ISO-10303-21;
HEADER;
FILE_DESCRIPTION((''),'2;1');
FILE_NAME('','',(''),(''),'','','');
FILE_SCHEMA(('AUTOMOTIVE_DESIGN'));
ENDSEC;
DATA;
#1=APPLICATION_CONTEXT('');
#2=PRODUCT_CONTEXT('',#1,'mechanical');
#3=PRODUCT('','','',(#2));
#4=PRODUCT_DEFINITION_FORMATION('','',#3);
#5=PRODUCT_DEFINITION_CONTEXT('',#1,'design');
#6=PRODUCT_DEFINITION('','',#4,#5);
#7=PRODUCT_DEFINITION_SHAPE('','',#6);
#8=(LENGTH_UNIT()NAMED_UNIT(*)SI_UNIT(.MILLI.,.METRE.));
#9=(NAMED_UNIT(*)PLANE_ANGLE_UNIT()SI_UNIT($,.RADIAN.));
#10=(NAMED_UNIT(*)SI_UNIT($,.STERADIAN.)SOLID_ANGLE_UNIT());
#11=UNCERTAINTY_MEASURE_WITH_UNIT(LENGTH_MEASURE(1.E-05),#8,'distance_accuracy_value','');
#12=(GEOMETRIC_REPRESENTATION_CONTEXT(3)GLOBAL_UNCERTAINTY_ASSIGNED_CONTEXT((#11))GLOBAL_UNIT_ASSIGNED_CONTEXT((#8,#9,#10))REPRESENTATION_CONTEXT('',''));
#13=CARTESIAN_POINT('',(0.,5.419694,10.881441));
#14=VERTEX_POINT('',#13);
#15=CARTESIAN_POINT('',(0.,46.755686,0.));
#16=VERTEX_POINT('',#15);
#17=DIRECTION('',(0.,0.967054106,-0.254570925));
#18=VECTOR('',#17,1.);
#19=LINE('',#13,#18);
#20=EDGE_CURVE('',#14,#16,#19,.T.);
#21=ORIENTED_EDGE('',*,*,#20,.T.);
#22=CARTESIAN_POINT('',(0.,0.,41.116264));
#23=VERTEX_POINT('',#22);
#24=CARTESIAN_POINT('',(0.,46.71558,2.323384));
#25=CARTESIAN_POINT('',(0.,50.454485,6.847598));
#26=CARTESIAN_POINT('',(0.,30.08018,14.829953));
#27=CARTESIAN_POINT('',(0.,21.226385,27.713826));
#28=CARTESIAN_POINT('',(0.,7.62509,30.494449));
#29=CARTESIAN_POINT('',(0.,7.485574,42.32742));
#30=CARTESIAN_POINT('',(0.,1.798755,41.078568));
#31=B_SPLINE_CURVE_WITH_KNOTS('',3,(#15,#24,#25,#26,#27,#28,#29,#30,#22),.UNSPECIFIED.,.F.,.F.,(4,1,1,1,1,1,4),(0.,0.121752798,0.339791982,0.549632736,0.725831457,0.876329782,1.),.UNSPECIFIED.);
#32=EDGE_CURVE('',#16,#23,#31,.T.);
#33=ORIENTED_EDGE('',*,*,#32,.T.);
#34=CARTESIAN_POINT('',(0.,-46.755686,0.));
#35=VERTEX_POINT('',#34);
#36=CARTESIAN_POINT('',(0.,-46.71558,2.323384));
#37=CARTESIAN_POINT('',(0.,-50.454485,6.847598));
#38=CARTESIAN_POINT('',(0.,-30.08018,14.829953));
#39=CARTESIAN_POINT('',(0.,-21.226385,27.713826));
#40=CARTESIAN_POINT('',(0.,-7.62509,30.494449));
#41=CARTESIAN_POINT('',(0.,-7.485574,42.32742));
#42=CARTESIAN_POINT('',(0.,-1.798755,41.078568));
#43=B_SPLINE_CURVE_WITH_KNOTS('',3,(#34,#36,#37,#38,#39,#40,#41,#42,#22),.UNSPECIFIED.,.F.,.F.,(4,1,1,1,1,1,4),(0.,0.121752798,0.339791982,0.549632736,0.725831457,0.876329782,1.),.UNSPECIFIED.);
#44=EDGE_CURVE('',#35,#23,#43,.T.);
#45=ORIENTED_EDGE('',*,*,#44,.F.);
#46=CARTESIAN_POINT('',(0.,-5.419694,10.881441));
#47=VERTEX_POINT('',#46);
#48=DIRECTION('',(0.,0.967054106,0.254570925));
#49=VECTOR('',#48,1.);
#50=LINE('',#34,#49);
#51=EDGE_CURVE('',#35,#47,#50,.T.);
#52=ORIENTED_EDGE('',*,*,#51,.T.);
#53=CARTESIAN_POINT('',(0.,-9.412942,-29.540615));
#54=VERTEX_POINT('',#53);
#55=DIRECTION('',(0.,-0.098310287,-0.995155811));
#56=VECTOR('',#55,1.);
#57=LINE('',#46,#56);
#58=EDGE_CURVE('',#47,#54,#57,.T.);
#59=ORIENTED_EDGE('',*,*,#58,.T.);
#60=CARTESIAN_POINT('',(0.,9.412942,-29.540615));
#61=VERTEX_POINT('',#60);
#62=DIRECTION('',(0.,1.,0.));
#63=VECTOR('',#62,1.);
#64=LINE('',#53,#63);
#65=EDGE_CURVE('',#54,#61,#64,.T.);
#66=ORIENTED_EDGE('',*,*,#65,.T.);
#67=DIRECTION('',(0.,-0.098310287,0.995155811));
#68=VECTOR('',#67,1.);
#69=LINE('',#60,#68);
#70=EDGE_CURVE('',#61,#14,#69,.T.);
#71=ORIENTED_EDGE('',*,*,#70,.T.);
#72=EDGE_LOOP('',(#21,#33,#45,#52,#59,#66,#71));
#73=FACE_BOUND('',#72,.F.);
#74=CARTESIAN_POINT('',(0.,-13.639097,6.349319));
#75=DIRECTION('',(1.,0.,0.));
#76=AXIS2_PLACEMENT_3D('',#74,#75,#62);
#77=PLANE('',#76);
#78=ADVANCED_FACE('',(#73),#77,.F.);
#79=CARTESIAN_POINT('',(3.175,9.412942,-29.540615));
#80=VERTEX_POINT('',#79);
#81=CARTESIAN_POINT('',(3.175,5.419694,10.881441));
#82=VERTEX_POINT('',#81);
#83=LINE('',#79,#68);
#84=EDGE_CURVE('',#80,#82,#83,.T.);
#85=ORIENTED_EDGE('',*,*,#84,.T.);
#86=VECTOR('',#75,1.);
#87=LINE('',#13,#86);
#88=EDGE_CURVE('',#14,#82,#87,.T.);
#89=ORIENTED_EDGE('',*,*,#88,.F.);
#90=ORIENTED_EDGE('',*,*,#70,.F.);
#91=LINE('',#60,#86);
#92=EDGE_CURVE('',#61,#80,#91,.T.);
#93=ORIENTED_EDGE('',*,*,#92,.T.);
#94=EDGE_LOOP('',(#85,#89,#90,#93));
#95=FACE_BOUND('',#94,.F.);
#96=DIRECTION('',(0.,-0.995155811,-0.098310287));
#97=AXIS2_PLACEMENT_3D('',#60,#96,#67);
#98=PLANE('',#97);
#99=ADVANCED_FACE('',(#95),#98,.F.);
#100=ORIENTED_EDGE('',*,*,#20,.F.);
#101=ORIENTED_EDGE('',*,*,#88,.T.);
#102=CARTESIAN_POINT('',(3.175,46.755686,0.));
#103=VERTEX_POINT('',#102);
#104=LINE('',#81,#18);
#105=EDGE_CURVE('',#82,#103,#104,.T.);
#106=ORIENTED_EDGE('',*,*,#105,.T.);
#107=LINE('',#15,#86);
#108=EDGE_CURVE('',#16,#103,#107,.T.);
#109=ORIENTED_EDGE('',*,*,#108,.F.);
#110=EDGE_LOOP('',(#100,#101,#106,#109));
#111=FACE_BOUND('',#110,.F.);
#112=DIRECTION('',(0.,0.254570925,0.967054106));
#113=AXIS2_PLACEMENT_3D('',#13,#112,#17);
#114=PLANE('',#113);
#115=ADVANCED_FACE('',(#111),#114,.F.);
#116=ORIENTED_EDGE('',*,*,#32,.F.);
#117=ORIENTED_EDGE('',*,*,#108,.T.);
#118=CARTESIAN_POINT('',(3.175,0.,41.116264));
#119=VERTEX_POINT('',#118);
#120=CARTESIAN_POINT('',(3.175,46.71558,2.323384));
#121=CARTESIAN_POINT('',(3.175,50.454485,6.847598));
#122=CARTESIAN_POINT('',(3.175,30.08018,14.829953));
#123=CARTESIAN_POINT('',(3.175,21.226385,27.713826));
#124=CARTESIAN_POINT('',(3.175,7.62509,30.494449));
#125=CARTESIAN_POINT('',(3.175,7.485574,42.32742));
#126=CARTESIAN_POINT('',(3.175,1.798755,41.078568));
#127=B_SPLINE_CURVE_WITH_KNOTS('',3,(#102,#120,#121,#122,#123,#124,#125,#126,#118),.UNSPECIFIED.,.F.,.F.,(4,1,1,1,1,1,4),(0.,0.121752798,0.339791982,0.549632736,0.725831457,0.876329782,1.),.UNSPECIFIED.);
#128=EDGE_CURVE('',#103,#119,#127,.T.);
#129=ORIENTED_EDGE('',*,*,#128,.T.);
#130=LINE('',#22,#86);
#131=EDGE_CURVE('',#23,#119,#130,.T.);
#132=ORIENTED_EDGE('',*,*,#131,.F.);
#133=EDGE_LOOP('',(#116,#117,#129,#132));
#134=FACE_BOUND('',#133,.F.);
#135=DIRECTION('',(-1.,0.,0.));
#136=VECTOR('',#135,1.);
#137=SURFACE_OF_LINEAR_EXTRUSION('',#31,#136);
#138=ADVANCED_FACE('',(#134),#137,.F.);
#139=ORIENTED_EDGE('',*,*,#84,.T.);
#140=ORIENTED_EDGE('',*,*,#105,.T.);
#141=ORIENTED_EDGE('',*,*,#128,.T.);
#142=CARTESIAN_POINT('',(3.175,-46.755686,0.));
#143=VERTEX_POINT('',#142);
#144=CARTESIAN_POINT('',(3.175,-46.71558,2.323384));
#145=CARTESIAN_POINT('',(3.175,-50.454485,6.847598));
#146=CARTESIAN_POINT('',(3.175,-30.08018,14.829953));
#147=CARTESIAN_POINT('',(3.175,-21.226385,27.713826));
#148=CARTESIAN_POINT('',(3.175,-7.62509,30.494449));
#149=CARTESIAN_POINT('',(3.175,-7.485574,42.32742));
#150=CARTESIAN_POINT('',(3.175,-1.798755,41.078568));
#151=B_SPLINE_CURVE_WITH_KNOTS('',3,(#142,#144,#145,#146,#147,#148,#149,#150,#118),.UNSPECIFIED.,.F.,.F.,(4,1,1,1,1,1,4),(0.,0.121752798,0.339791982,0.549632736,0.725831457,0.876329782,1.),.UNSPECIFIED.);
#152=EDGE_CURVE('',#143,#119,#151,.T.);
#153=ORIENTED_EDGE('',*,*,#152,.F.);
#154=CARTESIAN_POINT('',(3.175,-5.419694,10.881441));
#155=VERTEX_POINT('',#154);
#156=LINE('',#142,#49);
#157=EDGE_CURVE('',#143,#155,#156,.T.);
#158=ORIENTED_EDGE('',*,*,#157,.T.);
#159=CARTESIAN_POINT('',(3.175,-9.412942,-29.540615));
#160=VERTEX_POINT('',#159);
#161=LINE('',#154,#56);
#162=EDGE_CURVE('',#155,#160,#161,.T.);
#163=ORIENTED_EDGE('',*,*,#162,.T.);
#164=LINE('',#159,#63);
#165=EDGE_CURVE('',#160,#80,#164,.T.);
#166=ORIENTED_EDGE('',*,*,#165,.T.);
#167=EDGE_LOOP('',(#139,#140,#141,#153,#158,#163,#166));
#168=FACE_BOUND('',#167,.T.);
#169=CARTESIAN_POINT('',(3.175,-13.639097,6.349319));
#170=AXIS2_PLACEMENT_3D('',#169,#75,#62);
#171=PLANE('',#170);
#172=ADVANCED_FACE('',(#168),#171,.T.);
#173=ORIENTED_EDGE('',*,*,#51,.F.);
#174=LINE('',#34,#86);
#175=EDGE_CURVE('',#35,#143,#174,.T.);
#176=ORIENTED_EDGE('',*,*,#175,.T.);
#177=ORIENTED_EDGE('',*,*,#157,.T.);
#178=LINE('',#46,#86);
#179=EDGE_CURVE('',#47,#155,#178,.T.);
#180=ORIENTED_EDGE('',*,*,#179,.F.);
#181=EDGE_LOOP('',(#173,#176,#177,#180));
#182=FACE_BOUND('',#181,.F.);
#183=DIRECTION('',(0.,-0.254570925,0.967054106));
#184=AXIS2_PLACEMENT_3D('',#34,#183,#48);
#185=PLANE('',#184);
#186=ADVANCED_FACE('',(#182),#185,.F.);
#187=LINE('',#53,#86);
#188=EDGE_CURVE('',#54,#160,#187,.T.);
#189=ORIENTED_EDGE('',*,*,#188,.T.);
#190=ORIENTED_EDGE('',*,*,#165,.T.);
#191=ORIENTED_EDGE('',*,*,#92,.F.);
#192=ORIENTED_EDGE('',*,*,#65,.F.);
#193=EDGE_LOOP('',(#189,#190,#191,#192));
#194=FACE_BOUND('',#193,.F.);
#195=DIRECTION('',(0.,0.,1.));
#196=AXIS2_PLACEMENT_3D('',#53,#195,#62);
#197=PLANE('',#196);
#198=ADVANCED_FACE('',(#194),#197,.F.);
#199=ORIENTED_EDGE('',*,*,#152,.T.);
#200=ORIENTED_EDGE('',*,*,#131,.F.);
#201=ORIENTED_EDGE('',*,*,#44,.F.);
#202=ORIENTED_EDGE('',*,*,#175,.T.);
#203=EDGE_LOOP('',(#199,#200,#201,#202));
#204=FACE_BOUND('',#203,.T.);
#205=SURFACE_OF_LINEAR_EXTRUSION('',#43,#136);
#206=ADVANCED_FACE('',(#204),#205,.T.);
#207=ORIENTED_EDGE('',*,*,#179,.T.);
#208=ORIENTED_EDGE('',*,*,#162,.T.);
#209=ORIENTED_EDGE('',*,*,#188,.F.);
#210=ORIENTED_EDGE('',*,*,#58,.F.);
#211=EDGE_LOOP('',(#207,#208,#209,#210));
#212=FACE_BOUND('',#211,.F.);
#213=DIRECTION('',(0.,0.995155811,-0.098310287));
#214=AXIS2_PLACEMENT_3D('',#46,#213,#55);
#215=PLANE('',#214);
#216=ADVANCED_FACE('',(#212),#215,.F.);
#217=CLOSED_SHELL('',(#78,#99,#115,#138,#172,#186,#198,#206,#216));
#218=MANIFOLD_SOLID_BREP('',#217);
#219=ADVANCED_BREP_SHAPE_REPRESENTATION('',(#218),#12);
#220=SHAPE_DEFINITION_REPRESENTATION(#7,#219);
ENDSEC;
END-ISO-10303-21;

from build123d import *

# Parameters (mm, degrees)
F1_DEPTH = 3.175


with BuildPart() as f1:
    # F0 (on Right) → F1 (new body)
    with BuildSketch(Plane.YZ):
        with BuildLine():
            Line((-9.4129415229, -29.5406151563), (0, -29.5406151563))
            Line((0, -29.5406151563), (0, 41.1162637174))
            add(Edge.make_bspline(
                [(-46.7556864023, 0), (-46.7155797399, 2.3233844605), (-50.4544850576, 6.847598193), (-30.0801802857, 14.8299527049), (-21.2263853375, 27.7138256022), (-7.6250903808, 30.4944493686), (-7.485573995, 42.3274200027), (-1.7987550441, 41.0785676659), (0, 41.1162637174)],
                knots=[0, 0, 0, 0, 0.1217527977, 0.3397919823, 0.5496327355, 0.7258314565, 0.8763297821, 1, 1, 1, 1], degree=3))
            Line((-46.7556864023, 0), (-5.4196935745, 10.881440714))
            Line((-5.4196935745, 10.881440714), (-9.4129415229, -29.5406151563))
        make_face()
        with BuildLine():
            Line((0, 41.1162637174), (0, -29.5406151563))
            Line((0, -29.5406151563), (9.4129415229, -29.5406151563))
            Line((9.4129415229, -29.5406151563), (5.4196935745, 10.881440714))
            Line((5.4196935745, 10.881440714), (46.7556864023, 0))
            add(Edge.make_bspline(
                [(46.7556864023, 0), (46.7155797399, 2.3233844605), (50.4544850576, 6.847598193), (30.0801802857, 14.8299527049), (21.2263853375, 27.7138256022), (7.6250903808, 30.4944493686), (7.485573995, 42.3274200027), (1.7987550441, 41.0785676659), (0, 41.1162637174)],
                knots=[0, 0, 0, 0, 0.1217527977, 0.3397919823, 0.5496327355, 0.7258314565, 0.8763297821, 1, 1, 1, 1], degree=3))
        make_face()
    extrude(amount=F1_DEPTH)


solid = f1.part
